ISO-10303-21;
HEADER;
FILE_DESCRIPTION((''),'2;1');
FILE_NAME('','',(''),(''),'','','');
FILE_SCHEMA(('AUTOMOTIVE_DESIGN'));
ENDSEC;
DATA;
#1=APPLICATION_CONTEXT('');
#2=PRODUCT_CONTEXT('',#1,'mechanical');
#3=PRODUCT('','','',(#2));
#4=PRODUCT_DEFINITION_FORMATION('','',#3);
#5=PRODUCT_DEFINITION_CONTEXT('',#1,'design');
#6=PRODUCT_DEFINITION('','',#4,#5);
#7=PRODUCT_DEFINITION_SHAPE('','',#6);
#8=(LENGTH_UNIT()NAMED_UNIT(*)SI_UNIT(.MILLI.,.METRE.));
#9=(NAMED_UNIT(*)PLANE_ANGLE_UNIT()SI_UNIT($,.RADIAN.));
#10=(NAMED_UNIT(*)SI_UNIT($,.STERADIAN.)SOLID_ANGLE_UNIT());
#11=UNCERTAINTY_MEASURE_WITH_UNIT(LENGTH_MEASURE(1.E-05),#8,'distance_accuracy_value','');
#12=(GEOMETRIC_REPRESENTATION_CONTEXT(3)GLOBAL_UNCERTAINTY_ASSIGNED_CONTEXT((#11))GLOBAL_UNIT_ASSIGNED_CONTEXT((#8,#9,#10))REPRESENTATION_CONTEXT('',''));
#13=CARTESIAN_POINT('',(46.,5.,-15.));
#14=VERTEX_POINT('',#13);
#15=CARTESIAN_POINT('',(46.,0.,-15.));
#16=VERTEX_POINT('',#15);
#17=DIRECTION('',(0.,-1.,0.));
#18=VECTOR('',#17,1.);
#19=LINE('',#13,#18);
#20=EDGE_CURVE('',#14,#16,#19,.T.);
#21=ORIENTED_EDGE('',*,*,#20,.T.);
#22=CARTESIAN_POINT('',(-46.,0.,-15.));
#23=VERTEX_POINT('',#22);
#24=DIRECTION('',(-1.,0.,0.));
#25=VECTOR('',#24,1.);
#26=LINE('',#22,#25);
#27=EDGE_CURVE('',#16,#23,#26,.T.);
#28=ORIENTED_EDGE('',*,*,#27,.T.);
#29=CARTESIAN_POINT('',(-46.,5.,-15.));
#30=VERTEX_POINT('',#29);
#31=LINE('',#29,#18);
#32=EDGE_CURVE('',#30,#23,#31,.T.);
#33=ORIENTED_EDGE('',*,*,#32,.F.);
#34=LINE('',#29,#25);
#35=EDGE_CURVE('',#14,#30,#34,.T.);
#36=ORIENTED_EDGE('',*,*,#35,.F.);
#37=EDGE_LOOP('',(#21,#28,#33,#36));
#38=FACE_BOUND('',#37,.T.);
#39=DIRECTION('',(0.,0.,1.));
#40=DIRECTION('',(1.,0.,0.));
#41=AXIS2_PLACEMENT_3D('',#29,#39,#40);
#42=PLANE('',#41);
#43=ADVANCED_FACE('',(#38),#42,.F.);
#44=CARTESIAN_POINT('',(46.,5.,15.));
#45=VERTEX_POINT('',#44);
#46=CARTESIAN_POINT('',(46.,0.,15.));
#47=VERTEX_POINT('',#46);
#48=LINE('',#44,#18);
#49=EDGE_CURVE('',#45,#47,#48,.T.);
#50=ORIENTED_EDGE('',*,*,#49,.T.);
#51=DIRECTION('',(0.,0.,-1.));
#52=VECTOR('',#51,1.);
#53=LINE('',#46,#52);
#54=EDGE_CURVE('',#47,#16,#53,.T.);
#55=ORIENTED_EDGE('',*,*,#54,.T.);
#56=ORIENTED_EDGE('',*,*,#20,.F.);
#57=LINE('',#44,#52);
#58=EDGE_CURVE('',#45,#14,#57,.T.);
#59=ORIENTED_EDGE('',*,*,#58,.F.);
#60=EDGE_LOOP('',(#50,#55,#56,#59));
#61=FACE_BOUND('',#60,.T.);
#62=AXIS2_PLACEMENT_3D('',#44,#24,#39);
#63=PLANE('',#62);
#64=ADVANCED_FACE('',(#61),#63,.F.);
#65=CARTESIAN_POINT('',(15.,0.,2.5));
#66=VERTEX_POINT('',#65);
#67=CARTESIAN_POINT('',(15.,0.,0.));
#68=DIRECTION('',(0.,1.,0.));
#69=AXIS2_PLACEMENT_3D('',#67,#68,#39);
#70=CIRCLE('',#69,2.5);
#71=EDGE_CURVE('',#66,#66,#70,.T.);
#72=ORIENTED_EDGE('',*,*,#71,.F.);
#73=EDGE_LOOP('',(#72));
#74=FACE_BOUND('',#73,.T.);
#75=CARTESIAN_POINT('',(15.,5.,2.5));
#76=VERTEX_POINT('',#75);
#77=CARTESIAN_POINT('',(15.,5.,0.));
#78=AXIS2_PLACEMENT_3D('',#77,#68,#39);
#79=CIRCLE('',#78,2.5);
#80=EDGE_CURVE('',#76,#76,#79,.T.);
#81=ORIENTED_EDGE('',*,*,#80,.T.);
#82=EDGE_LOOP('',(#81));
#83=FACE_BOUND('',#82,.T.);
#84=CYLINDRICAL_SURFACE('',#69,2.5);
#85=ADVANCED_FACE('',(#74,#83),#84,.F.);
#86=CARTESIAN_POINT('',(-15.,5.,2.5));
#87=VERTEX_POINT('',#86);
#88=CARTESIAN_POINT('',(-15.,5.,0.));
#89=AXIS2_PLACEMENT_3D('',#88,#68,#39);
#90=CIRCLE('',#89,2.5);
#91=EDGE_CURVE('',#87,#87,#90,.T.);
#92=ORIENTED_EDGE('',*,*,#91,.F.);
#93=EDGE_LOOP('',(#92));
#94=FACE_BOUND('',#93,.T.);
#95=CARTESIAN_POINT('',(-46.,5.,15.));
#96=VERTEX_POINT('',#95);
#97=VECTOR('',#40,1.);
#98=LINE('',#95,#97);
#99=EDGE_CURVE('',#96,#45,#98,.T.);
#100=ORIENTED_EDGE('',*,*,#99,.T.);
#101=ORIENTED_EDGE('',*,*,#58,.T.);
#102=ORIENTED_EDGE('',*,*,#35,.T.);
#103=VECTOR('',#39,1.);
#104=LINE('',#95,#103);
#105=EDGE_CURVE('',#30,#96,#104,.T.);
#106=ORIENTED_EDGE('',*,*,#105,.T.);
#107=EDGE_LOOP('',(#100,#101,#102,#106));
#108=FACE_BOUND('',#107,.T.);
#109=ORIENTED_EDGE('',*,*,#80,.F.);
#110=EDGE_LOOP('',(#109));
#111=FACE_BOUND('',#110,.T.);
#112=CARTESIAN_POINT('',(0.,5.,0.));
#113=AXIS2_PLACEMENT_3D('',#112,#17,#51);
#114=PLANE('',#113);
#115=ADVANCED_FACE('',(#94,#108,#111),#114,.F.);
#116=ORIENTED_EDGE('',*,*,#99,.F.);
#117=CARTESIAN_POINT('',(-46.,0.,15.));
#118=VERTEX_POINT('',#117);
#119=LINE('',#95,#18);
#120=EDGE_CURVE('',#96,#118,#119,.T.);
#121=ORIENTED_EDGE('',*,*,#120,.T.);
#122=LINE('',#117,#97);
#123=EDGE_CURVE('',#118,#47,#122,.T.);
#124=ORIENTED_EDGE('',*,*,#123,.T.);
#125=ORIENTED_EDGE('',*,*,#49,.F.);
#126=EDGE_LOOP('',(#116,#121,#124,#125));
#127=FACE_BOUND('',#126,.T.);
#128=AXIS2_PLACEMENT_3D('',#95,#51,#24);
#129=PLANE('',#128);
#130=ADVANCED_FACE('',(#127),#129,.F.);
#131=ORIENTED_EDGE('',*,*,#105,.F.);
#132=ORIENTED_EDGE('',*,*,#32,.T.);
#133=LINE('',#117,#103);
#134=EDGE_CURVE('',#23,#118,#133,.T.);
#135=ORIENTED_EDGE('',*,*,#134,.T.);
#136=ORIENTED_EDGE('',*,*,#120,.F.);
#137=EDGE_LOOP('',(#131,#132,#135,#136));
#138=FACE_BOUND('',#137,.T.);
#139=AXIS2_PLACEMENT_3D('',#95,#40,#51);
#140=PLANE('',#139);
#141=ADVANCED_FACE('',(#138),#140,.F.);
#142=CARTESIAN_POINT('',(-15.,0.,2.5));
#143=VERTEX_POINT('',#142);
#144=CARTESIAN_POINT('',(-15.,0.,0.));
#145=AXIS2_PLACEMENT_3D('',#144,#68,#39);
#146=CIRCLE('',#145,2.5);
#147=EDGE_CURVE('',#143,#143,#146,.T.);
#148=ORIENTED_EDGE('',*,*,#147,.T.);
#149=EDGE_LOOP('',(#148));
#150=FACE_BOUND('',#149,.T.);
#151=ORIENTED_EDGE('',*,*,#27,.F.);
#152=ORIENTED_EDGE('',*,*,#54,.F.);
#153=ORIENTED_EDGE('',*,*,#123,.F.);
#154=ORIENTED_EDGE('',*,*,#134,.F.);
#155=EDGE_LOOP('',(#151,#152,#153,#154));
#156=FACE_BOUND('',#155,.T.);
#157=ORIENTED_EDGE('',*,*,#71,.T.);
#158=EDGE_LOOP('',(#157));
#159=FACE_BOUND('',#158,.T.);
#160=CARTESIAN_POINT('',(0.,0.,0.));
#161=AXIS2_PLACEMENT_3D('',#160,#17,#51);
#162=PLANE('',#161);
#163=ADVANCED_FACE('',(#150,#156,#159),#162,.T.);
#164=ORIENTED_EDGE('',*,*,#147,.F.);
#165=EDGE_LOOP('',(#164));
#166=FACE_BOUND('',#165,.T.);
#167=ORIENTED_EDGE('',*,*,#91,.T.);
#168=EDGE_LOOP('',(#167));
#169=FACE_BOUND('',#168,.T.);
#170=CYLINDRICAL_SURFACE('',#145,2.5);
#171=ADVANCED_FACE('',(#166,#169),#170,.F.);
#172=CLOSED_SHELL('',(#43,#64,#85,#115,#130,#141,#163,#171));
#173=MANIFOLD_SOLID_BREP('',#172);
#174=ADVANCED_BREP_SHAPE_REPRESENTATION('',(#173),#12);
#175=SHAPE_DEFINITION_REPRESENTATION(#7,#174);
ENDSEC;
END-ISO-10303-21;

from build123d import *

# Parameters (mm, degrees)
SKETCH1_W           = 92
SKETCH1_H           = 30
BOSS_EXTRUDE1_DEPTH = 5
SKETCH2_R           = 2.5
CUT_EXTRUDE1_DEPTH  = 49.641546028


with BuildPart() as part:
    # Sketch1 → Boss-Extrude1 (new body)
    with BuildSketch(Plane(origin=(0, 0, 0), x_dir=(1, 0, 0), z_dir=(0, 1, 0))):
        Rectangle(SKETCH1_W, SKETCH1_H)
    extrude(amount=BOSS_EXTRUDE1_DEPTH)

    # Sketch2 → Cut-Extrude1 (cut, through all)
    with BuildSketch(Plane(origin=(0, 5, 0), x_dir=(1, 0, 0), z_dir=(0, 1, 0))):
        with Locations(Location((15, 0, 0), (0, 0, 270))):
            Circle(SKETCH2_R)
        with Locations(Location((-15, 0, 0), (0, 0, 270))):
            Circle(SKETCH2_R)
    extrude(amount=-CUT_EXTRUDE1_DEPTH, mode=Mode.SUBTRACT)


solid = part.part
